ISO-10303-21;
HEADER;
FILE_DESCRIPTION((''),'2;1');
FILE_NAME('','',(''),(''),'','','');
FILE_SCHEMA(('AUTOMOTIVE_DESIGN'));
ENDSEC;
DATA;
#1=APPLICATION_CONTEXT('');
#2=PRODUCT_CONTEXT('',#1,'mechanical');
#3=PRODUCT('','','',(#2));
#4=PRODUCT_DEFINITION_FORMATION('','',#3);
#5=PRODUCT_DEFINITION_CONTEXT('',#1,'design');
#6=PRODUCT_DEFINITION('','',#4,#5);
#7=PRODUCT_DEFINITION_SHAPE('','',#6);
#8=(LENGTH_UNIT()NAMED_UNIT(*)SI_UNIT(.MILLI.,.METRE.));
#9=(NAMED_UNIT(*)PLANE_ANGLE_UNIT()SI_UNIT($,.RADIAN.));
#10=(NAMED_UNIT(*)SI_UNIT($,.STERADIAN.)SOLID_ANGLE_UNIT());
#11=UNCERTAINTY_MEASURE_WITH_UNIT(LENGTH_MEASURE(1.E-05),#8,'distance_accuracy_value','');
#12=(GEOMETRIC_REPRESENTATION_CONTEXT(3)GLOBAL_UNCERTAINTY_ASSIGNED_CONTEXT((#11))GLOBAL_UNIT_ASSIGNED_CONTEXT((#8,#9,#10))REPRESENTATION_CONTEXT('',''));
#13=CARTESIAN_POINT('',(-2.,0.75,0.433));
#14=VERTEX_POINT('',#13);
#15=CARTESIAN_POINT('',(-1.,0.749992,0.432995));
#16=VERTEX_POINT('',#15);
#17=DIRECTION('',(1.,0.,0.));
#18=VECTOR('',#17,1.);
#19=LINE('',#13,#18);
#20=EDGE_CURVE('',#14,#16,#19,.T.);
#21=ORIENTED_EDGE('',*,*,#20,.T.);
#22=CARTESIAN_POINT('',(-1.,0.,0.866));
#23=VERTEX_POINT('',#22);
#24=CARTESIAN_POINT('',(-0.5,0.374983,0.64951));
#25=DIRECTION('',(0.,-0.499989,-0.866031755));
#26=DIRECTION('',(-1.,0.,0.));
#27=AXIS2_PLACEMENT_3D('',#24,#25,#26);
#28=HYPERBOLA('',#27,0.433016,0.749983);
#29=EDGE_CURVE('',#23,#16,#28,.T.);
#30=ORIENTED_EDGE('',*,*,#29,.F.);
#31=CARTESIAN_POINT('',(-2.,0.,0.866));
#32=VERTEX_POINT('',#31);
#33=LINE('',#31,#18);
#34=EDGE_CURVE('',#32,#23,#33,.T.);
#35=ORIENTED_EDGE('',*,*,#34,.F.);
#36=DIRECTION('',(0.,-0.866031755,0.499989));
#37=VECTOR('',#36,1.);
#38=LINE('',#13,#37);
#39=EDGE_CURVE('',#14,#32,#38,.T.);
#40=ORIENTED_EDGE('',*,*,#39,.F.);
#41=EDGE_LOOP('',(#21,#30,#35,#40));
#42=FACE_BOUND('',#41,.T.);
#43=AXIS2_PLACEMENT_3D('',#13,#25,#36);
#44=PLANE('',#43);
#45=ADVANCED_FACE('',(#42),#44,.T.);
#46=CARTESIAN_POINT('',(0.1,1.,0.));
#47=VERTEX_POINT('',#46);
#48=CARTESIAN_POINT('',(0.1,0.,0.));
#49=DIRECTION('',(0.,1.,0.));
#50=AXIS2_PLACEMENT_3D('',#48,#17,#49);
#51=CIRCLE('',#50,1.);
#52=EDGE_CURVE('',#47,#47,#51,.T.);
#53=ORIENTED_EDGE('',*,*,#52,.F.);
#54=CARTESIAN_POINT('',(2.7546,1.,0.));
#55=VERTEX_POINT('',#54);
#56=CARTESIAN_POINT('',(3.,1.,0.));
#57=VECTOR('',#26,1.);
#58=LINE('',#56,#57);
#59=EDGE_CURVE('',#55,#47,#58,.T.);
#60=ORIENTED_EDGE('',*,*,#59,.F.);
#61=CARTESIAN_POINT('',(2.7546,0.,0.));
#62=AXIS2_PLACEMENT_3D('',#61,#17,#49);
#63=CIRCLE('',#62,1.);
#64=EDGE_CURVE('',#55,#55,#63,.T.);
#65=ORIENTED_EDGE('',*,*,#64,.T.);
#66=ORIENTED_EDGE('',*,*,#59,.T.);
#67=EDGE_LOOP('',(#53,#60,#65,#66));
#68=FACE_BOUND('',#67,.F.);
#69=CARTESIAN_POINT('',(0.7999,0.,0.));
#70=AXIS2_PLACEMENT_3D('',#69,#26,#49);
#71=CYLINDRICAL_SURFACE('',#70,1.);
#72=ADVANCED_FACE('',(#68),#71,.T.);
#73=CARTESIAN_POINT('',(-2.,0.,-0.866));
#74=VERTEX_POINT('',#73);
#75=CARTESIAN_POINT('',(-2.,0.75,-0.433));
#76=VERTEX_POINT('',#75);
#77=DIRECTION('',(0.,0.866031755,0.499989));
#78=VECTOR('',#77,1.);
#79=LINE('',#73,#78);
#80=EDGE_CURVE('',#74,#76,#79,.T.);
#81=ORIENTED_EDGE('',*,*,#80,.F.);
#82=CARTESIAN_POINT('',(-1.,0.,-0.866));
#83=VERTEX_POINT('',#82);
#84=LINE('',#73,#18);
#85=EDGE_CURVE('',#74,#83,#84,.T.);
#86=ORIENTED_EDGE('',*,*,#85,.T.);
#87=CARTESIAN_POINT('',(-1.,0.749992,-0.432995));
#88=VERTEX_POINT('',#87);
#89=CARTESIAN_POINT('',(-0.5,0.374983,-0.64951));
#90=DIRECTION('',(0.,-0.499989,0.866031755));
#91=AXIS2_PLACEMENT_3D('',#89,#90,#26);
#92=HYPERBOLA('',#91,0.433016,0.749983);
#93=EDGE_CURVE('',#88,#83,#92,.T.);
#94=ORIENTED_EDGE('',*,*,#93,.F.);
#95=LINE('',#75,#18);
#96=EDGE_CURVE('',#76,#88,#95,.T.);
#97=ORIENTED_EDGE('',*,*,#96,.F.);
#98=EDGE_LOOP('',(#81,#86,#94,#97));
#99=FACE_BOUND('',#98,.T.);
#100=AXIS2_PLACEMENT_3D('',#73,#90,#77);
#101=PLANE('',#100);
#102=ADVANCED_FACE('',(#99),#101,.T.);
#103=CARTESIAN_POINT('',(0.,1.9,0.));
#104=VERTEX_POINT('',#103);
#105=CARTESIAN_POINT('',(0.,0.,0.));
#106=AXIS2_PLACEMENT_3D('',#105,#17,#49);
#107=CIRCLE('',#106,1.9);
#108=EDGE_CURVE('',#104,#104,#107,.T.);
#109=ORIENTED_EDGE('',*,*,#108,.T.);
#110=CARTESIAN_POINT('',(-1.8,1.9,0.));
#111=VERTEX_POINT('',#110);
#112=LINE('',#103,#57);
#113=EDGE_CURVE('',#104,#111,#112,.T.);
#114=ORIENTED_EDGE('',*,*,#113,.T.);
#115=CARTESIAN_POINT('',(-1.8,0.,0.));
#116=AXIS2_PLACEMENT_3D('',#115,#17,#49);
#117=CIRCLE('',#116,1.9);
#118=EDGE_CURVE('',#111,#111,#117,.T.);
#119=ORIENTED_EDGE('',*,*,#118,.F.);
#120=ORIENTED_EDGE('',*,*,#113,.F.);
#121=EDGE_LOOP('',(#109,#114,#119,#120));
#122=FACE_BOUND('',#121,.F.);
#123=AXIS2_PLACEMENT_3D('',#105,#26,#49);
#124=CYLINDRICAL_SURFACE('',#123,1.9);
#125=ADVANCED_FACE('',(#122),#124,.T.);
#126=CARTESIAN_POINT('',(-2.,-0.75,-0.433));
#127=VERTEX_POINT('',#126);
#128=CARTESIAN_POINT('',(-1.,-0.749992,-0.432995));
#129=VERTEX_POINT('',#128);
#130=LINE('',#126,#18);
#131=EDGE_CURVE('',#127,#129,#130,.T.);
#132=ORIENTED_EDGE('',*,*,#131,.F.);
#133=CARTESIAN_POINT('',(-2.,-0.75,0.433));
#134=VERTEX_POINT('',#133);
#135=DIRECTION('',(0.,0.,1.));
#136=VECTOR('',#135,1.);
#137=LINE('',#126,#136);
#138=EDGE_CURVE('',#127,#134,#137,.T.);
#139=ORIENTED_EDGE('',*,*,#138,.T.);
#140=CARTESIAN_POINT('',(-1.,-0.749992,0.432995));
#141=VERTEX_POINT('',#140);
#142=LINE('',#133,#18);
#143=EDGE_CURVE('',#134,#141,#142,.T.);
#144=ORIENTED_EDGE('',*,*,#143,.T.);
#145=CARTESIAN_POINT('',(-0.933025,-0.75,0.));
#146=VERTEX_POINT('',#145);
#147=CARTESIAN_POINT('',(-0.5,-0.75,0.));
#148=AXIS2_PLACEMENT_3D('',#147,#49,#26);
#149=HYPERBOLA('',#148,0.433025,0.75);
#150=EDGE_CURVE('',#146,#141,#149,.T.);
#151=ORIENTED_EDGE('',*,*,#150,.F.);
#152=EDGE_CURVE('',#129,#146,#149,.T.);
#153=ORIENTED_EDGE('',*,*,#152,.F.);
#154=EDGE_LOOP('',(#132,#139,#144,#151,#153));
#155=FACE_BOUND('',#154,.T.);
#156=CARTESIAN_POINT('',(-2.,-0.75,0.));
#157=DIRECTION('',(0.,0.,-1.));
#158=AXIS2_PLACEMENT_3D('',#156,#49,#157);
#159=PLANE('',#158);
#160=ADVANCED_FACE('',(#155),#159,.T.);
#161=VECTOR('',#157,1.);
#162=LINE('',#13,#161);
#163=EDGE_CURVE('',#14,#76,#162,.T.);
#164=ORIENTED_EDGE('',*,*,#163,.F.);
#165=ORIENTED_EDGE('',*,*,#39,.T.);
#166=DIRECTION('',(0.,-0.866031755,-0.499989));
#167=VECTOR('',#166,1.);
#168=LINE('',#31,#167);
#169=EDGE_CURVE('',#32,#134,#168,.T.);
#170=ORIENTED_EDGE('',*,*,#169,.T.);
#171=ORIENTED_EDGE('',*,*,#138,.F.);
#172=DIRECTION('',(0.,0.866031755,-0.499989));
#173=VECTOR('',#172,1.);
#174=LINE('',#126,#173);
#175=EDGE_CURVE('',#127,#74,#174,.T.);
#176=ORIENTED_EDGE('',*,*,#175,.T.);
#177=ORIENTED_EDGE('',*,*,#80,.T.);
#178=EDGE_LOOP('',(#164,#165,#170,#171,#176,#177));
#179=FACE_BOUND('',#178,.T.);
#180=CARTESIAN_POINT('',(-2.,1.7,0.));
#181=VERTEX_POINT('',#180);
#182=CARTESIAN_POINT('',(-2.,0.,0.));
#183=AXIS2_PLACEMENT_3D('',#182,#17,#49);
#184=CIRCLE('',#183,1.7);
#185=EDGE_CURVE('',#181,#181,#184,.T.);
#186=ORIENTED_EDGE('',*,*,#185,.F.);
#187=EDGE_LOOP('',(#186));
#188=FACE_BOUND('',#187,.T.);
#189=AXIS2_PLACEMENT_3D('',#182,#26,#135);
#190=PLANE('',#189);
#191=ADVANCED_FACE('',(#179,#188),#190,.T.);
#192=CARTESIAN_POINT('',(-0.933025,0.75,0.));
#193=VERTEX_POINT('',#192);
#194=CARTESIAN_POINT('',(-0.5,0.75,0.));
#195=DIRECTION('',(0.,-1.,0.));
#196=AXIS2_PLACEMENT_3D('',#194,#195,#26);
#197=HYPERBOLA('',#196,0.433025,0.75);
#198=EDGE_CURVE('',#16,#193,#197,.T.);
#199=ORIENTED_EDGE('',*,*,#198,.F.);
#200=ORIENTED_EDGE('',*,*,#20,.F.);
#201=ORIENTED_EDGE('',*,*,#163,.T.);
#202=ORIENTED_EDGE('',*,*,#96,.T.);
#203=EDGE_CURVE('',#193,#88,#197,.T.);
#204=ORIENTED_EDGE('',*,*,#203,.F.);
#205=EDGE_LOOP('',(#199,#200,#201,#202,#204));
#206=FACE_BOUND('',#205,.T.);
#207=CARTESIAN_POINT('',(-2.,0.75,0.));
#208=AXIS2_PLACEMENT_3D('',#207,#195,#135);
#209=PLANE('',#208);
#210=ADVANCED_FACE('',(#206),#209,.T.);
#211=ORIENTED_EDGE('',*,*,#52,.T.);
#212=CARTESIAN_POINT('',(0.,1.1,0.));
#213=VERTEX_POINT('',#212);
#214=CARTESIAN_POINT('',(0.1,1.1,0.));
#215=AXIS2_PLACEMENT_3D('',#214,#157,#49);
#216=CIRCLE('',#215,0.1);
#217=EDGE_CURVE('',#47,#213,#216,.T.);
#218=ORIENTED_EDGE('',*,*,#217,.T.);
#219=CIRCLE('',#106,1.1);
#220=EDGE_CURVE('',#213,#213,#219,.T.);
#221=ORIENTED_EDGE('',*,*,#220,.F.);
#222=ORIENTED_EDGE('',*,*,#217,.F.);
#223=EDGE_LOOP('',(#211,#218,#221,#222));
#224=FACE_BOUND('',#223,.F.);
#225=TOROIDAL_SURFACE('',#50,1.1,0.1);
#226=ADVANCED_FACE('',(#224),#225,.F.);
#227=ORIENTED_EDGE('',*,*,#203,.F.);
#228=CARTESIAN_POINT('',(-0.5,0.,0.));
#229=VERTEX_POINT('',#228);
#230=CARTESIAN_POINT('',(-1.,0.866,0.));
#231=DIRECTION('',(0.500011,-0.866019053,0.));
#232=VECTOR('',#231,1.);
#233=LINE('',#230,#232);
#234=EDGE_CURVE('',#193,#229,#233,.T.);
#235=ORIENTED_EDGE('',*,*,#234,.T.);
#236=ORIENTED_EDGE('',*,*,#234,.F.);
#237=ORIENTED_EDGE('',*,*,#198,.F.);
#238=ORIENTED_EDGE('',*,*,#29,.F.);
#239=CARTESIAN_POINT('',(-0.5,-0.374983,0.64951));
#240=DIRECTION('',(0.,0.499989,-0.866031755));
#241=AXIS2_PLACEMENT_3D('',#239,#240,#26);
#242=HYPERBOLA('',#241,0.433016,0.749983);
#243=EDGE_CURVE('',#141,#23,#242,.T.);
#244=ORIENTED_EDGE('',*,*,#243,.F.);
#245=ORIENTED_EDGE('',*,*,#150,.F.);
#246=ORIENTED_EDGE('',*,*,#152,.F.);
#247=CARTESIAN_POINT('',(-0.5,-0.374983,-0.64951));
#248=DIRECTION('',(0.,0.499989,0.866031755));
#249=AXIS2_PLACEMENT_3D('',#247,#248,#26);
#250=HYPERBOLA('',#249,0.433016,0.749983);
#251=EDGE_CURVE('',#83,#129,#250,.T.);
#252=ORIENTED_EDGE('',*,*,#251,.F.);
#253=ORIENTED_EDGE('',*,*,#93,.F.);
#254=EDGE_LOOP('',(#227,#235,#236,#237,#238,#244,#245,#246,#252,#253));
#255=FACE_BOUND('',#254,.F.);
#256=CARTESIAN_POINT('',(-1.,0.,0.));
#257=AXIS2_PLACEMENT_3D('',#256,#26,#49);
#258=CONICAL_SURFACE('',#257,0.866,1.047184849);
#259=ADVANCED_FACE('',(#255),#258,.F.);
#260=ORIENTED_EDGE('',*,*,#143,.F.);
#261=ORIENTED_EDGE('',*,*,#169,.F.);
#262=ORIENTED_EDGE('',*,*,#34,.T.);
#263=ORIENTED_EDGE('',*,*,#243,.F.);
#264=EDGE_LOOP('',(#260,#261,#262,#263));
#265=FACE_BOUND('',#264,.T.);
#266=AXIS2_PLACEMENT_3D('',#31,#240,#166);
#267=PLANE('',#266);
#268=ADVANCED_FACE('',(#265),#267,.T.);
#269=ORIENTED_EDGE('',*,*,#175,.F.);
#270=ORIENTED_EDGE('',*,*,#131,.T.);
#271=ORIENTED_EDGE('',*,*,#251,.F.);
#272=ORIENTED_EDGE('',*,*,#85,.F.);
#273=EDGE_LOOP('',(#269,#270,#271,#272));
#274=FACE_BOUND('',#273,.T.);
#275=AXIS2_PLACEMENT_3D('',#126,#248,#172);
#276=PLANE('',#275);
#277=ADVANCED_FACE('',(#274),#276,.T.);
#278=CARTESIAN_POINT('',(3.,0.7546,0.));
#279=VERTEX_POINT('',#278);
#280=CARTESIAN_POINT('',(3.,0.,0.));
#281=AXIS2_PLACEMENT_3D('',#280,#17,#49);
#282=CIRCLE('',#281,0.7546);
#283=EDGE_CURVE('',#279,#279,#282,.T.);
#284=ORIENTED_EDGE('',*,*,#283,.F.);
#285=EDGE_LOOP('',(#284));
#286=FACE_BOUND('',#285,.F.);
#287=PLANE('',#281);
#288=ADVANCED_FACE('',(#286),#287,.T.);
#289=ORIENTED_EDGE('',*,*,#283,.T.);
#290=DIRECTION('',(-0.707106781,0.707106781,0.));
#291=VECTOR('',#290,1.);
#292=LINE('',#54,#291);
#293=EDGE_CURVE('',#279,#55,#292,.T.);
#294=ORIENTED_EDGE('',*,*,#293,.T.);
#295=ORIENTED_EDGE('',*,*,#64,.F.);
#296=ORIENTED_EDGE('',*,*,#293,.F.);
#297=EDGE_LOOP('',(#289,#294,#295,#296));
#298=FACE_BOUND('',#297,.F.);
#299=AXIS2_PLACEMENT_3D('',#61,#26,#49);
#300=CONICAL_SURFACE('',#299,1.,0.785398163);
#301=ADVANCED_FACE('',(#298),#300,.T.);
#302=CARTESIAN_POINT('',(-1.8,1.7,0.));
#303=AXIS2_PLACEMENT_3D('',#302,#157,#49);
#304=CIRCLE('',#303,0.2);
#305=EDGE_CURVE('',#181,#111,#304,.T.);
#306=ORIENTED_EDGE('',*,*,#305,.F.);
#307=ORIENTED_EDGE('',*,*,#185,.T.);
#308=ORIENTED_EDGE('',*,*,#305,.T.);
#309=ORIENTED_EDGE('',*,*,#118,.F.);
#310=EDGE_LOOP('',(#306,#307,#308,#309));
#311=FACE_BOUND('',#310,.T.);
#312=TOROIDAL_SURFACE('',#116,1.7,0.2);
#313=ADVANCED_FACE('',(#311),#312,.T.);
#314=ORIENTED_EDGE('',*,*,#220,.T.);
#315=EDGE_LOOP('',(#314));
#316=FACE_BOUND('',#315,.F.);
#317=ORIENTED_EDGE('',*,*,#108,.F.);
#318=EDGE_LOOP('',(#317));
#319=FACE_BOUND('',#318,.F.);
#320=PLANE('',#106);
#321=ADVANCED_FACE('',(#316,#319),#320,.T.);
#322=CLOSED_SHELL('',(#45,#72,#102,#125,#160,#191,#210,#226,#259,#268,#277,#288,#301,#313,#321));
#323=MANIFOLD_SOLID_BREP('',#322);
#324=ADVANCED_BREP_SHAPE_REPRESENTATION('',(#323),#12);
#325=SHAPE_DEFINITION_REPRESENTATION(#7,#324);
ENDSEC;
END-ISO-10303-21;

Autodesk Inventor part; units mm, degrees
ref_plane "YZ Plane" through (0, 0, 0) normal (1, 0, 0) x (0, 1, 0)
ref_plane "XZ Plane" through (0, 0, 0) normal (0, 1, 0) x (-1, 0, 0)
sketch "Sketch1" plane through (0, 0, 0) normal (0, 0, 1) x (1, 0, 0)
  line L0 (-0.5, 0) -> (3, 0)
  line L1 (3, 0) -> (3, 1)
  line L2 (3, 1) -> (1.0454, 1)
  line L3 (1.0454, 1) -> (0.7999, 1)
  line L4 (0.7999, 1) -> (0, 1)
  line L5 (0, 1) -> (0, 1.9)
  line L6 (0, 1.9) -> (-2, 1.9)
  line L7 (-2, 1.9) -> (-2, 0.866)
  line L8 (-2, 0.866) -> (-1, 0.866)
  line L9 (-1, 0.866) -> (-0.5, 0)
  line L10 (-3, 0) -> (4, 0) projected
  line L11 (0, -0.38) -> (0, 2.28) projected
  line L12 (1.0454, 1) -> (0, 1) construction
  dimension "d1" = 1.9546
  dimension "d2" = 0.2455
  dimension "d3" = 2
  dimension "d4" = 1
  dimension "d5" = 60
  dimension "d6" = 2
  dimension "d7" = 2
  dimension "d8" = 1.7321
  dimension "d9" = 3.8
  dimension "d26" = 3
revolve "Body" add sketch "Sketch1" angle 360 about axis through (-0.5, 0, 0) along (1, 0, 0)
sketch "Sketch2" plane through (-2, 0, 0) normal (-1, 0, 0) x (0, 0, 1)
  circle A0 centre (0, 0) radius 0.866 projected
  line L0 (0, -2.66) -> (0, 2.66) projected
  line L1 (-2.66, 0) -> (2.66, 0) projected
  line L2 (0.866, 0) -> (0.433, -0.75)
  line L3 (0.433, -0.75) -> (-0.433, -0.75)
  line L4 (-0.433, -0.75) -> (-0.866, 0)
  line L5 (-0.866, 0) -> (-0.433, 0.75)
  line L6 (-0.433, 0.75) -> (0.433, 0.75)
  line L7 (0.433, 0.75) -> (0.866, 0)
  point P0 (0, 0)
extrude "Slot" add sketch "Sketch2" against normal up to next contours L7 A0 | A0 L2 | L6 L0 A0 | A0 L0 L3 | L0 L6 A0 | A0 L3 L0 | L4 A0 | A0 L5
fillet "Fillet1" radius 0.2 1 edges at (-2, -1.9, 0)
thread "Thread" size "M2x0.4" class "6g" standard "ISO Metric profile" length 1.9546
chamfer "Chamfer1" distance 0.2454 distance2 0.2454 1 edges at (3, -1, 0) measured on face at (3, -0.4588, -0.3309)
ref_plane "Work Plane1" through (29, 0, 0) normal (0, -1, 0) x (1, 0, 0)
fillet "Fillet2" radius 0.1 1 edges at (0, -1, 0)
equation "\"d30\" = R"
equation "\"d17\" = RR"
equation "\"d13\" = GEL"
equation "\"d15\" = -0.5 * SPD + 0.5 * GD"
equation "\"d16\" = GUL"
equation "\"d1\" = GEL"
equation "\"d3\" = KOH"
equation "\"d4\" = INTI"
equation "\"d6\" = GD"
equation "\"d7\" = BDM"
equation "\"d8\" = 1.1547 * SW"
equation "\"d9\" = KOD"
equation "\"d26\" = NLG"
equation "\"GD\" = NND"
equation "\"NLG\" = 3"
equation "\"GEL\" = 1.95462"
equation "\"KOD\" = 3.8"
equation "\"KOH\" = 2"
equation "\"INTI\" = 1"
equation "\"GAL\" = 0.61345 * PTC"
equation "\"GUL\" = 0.61345 * PTC"
equation "\"BDM\" = NND"
equation "\"SW\" = 1.5"
equation "\"RR\" = 0.2"
equation "\"SPD\" = 1.50924"
equation "\"R\" = 0.1"
equation "\"TOA\" = 30deg"
equation "\"THREADDIA\" = 2"
equation "\"PTC\" = 0.4"
equation "\"NND\" = 2"
equation "\"E0\" = 1.155 * SW"
equation "\"GD1\" = THREADDIA - 1.2269 * PTC"
properties part number "ANSI B18.3.1M - M2x0.4 x 3" material "Steel, Mild"
